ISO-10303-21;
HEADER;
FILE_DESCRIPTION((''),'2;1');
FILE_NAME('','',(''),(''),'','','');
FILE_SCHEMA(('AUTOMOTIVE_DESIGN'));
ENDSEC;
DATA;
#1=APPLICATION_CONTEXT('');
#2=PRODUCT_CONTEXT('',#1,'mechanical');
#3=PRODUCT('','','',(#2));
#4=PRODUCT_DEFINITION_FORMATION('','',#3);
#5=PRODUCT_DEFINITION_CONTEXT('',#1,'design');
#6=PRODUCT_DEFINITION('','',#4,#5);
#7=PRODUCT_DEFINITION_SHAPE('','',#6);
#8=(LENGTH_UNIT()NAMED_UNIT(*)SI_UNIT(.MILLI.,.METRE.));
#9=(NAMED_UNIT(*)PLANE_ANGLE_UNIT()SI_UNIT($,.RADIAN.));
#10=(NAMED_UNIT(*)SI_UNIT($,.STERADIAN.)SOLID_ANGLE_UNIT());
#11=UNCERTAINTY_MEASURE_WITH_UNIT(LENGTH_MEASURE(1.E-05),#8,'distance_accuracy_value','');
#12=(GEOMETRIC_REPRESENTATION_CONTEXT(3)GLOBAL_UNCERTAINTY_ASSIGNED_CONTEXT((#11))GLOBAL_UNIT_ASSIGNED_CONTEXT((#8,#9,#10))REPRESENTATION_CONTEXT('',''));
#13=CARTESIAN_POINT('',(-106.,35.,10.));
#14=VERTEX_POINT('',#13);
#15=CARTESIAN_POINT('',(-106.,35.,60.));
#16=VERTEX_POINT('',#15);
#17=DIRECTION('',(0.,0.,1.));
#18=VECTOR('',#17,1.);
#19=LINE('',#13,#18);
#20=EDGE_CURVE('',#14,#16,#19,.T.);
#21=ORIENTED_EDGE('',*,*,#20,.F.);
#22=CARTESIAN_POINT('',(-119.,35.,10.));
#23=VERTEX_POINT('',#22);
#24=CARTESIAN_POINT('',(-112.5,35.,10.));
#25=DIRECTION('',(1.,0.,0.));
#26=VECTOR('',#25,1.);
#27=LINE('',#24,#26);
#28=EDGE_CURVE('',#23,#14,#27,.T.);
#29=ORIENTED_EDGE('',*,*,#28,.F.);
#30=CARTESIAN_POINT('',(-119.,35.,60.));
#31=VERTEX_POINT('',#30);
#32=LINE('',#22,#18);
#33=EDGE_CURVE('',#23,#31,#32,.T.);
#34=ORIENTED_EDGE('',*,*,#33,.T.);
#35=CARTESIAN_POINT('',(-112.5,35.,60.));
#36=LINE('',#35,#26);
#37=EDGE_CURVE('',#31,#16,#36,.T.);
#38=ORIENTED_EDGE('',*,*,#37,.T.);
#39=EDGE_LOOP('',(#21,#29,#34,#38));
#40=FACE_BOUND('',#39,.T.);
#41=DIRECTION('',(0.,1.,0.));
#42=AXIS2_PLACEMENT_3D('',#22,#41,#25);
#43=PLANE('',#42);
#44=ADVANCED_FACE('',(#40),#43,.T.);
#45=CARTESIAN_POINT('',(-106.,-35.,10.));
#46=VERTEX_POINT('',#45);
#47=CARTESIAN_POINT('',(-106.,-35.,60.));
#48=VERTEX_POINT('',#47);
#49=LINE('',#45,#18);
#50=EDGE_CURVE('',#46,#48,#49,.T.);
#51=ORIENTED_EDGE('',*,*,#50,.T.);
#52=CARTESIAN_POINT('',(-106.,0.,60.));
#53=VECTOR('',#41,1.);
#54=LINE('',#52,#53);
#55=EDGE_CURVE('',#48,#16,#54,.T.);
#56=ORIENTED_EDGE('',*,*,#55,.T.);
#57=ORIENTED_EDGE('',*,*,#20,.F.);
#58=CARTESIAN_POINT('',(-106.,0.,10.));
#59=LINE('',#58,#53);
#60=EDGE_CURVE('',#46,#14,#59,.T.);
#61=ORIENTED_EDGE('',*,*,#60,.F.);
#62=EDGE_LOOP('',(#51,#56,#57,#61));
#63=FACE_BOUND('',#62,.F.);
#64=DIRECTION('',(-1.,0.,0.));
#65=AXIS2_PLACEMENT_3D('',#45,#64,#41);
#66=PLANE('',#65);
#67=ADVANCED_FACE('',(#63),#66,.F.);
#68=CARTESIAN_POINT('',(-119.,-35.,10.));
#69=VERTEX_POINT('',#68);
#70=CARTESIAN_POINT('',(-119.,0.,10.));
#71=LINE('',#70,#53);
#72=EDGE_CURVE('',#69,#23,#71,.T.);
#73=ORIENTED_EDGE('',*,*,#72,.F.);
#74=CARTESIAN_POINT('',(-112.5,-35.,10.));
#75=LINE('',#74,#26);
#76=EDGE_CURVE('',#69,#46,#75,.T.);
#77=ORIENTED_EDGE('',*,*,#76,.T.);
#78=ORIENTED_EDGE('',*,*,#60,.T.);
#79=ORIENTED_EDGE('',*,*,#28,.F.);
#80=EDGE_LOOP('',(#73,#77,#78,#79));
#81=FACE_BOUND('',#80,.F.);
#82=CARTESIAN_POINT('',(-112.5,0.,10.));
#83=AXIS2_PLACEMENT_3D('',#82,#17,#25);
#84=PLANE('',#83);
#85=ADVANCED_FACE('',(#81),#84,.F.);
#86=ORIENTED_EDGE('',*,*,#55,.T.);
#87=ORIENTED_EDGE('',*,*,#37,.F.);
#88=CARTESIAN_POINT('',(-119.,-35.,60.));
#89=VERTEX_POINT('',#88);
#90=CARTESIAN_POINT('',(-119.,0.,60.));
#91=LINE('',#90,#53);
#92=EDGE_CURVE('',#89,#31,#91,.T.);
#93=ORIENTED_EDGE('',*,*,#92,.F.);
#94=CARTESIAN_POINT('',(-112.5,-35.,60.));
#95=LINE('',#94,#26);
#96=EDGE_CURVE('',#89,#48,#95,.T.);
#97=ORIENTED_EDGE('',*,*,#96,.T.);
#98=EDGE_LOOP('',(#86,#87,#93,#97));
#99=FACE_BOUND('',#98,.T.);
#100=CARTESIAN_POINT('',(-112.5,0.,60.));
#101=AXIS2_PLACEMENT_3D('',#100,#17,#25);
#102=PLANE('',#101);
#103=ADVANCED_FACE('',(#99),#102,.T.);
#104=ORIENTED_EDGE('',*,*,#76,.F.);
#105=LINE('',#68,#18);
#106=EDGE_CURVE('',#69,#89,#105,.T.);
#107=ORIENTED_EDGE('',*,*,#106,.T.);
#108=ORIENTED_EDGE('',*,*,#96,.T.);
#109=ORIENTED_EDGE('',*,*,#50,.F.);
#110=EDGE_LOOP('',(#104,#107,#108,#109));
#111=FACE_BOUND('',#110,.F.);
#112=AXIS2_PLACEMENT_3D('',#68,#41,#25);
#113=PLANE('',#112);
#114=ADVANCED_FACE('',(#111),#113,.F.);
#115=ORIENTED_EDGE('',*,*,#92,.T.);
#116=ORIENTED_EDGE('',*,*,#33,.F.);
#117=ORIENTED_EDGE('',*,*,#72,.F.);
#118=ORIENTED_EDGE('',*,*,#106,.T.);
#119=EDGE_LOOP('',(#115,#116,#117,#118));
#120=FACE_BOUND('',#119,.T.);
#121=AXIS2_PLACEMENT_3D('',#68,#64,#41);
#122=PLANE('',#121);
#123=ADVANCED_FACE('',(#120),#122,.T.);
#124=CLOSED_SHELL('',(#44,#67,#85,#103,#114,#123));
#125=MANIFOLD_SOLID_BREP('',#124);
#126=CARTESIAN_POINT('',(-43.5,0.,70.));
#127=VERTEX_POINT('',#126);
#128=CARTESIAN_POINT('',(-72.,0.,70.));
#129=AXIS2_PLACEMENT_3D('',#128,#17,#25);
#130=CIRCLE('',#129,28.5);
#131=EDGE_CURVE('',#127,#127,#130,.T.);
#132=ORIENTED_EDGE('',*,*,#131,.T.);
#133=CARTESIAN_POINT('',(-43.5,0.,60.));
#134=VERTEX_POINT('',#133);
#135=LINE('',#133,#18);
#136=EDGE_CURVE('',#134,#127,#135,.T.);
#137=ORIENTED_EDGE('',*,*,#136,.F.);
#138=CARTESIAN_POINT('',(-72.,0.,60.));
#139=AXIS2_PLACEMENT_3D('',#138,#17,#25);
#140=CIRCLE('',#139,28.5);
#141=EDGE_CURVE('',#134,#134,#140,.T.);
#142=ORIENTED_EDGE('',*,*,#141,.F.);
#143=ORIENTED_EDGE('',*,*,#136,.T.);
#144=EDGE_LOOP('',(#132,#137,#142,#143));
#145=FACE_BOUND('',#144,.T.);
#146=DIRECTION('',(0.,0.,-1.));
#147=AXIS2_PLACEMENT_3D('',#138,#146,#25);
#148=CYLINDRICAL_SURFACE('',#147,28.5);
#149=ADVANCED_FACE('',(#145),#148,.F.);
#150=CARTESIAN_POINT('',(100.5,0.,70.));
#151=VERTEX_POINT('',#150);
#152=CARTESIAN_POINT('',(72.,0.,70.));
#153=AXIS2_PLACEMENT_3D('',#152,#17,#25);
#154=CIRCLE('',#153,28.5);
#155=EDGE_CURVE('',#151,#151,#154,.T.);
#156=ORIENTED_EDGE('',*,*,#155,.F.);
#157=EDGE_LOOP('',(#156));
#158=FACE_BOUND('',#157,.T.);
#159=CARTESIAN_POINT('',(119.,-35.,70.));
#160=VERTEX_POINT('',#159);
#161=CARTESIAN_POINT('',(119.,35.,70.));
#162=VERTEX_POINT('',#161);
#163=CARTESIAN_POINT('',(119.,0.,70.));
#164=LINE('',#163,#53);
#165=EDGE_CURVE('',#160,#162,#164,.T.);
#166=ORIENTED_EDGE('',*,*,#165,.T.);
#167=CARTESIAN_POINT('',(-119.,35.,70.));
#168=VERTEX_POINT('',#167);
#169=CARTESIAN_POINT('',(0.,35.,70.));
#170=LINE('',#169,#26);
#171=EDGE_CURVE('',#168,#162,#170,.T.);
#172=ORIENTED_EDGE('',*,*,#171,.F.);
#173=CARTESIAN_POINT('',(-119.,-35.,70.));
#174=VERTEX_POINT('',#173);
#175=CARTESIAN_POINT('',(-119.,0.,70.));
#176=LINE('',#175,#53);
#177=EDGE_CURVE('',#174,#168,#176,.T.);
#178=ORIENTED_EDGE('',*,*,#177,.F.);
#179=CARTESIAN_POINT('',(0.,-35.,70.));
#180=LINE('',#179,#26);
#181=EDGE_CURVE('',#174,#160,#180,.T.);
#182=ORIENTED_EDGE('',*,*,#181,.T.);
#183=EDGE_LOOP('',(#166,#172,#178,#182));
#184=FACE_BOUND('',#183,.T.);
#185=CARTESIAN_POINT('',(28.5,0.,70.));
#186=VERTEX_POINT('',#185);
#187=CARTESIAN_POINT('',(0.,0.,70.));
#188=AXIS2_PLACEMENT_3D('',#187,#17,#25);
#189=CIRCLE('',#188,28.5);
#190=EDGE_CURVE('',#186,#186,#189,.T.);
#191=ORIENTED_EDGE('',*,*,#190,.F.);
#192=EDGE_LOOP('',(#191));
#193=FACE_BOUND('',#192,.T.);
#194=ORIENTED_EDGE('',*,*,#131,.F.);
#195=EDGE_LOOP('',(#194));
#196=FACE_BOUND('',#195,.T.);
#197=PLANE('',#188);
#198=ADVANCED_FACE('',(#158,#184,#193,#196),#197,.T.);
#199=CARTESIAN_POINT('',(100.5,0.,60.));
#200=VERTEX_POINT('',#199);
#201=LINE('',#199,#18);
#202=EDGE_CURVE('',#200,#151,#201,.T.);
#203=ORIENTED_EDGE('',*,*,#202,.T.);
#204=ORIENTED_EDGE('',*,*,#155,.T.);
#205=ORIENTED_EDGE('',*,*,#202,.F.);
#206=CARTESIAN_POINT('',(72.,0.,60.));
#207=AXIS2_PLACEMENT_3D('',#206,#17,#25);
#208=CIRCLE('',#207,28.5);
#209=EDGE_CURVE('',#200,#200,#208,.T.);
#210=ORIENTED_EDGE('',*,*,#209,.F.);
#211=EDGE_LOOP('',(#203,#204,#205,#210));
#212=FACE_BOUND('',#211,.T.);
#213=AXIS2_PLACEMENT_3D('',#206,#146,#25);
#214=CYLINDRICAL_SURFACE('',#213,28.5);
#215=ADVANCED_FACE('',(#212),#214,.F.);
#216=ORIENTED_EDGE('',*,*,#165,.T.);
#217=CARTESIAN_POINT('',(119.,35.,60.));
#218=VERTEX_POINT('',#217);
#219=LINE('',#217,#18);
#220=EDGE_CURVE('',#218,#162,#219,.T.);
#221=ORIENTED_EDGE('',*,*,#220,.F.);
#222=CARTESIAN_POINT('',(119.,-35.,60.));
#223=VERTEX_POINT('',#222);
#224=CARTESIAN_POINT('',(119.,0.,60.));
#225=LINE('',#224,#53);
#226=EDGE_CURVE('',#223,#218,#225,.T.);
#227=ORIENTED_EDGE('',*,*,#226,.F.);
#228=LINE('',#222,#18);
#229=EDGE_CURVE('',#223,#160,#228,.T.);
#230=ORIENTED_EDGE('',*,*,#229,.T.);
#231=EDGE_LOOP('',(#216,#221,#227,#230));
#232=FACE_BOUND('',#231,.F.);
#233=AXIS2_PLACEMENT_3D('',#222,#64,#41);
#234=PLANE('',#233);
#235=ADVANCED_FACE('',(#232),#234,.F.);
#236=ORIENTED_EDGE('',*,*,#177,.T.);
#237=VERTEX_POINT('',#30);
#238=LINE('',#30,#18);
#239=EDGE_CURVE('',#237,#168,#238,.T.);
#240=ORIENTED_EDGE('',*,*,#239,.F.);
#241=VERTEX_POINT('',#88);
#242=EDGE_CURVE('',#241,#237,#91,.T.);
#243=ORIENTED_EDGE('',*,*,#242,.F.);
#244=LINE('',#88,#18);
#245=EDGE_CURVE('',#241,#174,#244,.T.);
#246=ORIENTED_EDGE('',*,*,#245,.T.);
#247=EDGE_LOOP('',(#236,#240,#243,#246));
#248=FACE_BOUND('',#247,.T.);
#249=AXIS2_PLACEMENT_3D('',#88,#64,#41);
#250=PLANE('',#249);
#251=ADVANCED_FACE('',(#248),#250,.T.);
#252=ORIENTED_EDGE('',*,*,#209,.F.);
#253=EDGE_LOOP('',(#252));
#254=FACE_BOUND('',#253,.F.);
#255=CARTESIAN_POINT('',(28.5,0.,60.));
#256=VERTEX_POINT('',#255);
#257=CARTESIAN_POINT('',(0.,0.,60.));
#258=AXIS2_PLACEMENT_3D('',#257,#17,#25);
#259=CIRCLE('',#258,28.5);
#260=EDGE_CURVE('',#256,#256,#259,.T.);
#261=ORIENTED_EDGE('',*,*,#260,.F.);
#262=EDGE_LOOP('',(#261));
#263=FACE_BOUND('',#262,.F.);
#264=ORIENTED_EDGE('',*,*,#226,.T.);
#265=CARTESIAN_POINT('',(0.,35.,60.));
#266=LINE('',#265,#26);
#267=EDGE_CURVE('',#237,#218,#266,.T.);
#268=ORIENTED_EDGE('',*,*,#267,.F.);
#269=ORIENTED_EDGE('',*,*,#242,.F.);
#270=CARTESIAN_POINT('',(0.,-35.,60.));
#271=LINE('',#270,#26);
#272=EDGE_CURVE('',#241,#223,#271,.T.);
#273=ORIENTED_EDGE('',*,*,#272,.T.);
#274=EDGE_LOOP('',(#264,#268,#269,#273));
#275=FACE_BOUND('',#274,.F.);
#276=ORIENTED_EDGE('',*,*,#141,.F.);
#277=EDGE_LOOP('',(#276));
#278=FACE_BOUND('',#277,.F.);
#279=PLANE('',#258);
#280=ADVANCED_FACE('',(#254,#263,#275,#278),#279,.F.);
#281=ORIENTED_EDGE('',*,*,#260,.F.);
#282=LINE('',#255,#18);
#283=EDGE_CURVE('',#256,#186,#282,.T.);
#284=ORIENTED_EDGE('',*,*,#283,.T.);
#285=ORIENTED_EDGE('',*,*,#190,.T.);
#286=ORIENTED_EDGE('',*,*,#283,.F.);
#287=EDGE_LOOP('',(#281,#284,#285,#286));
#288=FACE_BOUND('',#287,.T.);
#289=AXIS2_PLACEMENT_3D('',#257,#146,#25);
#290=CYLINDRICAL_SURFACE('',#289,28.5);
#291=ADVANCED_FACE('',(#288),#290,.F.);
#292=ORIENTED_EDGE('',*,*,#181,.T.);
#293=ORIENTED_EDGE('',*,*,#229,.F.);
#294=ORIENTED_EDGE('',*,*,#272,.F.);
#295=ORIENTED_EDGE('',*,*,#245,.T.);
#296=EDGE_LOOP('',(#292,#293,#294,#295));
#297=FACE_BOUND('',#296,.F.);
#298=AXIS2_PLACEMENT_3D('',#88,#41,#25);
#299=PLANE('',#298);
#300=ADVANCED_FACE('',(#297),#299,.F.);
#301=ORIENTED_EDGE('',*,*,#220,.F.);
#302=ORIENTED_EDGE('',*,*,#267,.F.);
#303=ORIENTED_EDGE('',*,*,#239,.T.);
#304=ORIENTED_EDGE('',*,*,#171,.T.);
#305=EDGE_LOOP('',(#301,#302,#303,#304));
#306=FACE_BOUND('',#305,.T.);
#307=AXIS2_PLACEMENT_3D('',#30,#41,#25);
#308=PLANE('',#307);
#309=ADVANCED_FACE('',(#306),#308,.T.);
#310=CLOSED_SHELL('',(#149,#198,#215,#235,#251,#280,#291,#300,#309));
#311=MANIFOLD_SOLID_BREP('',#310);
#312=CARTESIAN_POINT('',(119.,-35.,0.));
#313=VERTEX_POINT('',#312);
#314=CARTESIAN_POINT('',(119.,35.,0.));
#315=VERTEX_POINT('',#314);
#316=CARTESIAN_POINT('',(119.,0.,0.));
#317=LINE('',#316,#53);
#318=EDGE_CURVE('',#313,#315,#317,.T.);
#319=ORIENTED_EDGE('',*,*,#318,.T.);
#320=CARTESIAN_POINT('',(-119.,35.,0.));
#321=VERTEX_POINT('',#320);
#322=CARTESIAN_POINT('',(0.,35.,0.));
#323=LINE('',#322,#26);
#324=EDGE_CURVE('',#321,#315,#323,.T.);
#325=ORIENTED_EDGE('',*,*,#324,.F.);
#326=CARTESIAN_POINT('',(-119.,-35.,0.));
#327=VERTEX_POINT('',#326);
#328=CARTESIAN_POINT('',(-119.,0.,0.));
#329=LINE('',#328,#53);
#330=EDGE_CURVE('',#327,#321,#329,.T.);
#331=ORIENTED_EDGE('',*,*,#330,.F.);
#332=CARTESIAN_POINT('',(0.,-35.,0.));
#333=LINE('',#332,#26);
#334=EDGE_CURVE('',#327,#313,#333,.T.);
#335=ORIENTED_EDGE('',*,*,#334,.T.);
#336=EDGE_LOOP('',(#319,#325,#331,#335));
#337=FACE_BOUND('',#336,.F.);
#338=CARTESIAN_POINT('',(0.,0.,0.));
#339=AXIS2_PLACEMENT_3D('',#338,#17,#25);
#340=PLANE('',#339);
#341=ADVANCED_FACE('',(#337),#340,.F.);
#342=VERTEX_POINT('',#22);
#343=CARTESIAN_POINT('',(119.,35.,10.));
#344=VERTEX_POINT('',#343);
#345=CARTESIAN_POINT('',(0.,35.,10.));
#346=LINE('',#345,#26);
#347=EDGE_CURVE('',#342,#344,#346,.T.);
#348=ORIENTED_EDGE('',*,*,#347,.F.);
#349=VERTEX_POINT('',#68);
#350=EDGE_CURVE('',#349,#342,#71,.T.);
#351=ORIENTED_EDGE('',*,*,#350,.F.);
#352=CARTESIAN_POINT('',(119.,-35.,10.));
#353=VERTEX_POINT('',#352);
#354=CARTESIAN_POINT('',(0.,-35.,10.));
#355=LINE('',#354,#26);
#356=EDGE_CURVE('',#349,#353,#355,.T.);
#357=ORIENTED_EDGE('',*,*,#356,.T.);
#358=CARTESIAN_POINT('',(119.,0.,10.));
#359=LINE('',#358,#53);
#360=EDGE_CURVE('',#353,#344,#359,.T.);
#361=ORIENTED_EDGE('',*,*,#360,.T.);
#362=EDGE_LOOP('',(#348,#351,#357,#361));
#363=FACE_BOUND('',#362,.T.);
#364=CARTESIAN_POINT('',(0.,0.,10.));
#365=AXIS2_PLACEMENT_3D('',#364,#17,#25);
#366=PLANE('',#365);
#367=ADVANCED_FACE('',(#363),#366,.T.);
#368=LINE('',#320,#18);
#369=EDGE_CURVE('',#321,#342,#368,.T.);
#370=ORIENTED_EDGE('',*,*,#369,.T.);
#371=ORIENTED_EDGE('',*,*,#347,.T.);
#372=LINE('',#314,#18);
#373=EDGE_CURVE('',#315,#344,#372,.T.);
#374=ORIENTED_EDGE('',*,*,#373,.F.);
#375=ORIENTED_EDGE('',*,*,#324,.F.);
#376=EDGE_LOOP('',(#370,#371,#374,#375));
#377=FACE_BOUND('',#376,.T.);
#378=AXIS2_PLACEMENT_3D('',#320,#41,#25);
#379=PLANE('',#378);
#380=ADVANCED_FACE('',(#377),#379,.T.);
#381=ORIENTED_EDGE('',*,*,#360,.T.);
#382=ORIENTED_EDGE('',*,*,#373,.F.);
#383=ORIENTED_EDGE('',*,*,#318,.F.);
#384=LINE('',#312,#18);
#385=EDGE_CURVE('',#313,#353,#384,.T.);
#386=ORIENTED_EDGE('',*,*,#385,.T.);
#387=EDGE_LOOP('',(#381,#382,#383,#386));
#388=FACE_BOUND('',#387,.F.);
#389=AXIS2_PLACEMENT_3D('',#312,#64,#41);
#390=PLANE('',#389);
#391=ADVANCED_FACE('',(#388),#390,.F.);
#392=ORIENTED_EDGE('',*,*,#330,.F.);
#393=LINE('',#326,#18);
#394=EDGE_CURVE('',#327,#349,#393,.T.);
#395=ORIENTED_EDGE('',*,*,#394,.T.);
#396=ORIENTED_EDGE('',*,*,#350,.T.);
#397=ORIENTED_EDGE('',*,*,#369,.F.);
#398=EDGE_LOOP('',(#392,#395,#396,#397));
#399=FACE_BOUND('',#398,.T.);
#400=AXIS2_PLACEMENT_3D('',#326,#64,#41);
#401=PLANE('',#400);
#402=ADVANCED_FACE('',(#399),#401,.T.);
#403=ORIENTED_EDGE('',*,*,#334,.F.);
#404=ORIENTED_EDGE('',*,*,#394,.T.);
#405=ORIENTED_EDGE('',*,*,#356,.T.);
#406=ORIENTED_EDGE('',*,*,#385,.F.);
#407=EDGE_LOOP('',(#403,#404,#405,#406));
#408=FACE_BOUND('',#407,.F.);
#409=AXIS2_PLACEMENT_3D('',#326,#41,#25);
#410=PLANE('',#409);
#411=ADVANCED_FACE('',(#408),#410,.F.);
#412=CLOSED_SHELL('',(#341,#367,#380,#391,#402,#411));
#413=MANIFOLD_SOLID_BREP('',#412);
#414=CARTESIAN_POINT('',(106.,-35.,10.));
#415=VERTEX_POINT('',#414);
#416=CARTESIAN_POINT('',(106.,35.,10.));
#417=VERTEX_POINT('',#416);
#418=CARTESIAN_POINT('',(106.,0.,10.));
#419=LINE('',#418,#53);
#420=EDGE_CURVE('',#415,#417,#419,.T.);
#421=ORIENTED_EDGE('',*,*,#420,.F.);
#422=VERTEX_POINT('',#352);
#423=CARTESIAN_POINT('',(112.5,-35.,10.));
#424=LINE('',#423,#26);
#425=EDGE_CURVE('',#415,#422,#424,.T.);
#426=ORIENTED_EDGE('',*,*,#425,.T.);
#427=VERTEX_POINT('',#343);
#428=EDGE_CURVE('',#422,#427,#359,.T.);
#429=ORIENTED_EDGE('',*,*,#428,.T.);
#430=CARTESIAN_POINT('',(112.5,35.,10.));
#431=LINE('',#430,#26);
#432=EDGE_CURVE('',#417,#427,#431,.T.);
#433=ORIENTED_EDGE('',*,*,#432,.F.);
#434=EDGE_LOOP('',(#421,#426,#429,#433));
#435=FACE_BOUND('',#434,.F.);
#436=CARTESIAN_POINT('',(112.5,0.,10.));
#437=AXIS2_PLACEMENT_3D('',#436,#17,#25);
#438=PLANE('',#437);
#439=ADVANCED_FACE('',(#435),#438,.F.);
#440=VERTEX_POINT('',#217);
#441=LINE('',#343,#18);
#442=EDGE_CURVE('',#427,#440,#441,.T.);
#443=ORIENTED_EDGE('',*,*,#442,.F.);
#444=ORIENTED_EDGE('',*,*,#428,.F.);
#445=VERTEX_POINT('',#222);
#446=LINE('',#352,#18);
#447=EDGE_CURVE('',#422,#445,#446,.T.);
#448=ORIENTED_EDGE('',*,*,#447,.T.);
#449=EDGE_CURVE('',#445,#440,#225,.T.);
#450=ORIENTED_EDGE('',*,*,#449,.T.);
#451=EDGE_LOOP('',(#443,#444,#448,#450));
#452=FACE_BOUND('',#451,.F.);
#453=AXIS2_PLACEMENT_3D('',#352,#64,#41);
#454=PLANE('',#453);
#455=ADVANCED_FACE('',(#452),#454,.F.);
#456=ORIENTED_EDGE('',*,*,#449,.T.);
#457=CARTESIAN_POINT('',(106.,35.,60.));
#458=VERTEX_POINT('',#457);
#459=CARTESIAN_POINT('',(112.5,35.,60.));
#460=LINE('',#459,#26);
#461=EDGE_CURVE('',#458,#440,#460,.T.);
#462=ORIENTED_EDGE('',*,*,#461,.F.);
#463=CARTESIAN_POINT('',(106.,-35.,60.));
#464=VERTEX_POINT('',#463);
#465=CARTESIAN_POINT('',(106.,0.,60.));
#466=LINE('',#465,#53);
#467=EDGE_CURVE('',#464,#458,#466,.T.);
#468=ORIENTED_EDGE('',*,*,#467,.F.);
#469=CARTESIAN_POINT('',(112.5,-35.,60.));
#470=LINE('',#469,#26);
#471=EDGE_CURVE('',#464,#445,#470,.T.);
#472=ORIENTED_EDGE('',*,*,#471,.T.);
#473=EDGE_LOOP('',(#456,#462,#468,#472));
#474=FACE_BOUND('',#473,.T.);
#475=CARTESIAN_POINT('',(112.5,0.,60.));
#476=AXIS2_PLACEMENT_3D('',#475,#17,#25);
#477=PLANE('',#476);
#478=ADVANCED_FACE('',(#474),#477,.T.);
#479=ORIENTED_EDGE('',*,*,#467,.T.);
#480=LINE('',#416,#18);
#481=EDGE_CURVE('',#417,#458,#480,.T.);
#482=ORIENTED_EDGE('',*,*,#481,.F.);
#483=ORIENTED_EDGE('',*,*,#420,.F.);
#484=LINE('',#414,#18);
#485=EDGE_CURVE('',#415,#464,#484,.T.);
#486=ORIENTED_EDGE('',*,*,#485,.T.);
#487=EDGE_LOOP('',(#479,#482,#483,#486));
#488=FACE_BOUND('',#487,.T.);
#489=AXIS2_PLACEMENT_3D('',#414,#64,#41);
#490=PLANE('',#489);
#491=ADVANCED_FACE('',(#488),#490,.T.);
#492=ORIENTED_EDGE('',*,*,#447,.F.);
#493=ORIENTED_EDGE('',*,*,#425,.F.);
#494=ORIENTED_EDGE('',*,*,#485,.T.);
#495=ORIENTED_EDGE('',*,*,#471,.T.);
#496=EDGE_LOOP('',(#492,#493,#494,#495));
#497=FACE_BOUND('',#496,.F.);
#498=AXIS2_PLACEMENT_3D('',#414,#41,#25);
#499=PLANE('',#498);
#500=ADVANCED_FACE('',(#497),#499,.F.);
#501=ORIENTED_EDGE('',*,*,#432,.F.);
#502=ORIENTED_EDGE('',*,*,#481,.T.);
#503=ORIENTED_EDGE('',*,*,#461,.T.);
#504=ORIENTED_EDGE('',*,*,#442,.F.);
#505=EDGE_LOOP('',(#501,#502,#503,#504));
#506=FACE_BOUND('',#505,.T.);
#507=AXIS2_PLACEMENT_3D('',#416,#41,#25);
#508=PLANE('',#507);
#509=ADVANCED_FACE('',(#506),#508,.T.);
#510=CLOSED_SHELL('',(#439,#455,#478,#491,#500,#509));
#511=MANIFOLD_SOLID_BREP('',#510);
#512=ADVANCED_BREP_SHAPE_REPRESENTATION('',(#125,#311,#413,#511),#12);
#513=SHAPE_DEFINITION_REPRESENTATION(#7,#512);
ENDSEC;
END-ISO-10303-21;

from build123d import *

# Parameters (mm, degrees)
F0_W     = 238
F0_H     = 70
F1_DEPTH = 10
F3_W     = 238
F3_H     = 70
F3_R     = 28.5
F4_DEPTH = 10
F5_W     = 13
F5_H     = 70
F6_DEPTH = 50


with BuildPart() as f1:
    # F0 (on Top) → F1 (new body)
    with BuildSketch(Plane.XY):
        Rectangle(F0_W, F0_H)
    extrude(amount=F1_DEPTH)


with BuildPart() as f4:
    # F3 (on offset) → F4 (new body)
    with BuildSketch(Plane.XY.offset(60)):
        Rectangle(F3_W, F3_H)
        with Locations((-72, 0)):
            Circle(F3_R, mode=Mode.SUBTRACT)
        Circle(F3_R, mode=Mode.SUBTRACT)
        with Locations((72, 0)):
            Circle(F3_R, mode=Mode.SUBTRACT)
    extrude(amount=F4_DEPTH)


with BuildPart() as f6:
    # F5 (on face) → F6 (new body, through all)
    with BuildSketch(Plane.XY.offset(10)):
        with Locations((-112.5, 0)):
            Rectangle(F5_W, F5_H)
        with Locations((112.5, 0)):
            Rectangle(F5_W, F5_H)
    extrude(amount=F6_DEPTH)


solid = Compound([f1.part, f4.part, f6.part])
